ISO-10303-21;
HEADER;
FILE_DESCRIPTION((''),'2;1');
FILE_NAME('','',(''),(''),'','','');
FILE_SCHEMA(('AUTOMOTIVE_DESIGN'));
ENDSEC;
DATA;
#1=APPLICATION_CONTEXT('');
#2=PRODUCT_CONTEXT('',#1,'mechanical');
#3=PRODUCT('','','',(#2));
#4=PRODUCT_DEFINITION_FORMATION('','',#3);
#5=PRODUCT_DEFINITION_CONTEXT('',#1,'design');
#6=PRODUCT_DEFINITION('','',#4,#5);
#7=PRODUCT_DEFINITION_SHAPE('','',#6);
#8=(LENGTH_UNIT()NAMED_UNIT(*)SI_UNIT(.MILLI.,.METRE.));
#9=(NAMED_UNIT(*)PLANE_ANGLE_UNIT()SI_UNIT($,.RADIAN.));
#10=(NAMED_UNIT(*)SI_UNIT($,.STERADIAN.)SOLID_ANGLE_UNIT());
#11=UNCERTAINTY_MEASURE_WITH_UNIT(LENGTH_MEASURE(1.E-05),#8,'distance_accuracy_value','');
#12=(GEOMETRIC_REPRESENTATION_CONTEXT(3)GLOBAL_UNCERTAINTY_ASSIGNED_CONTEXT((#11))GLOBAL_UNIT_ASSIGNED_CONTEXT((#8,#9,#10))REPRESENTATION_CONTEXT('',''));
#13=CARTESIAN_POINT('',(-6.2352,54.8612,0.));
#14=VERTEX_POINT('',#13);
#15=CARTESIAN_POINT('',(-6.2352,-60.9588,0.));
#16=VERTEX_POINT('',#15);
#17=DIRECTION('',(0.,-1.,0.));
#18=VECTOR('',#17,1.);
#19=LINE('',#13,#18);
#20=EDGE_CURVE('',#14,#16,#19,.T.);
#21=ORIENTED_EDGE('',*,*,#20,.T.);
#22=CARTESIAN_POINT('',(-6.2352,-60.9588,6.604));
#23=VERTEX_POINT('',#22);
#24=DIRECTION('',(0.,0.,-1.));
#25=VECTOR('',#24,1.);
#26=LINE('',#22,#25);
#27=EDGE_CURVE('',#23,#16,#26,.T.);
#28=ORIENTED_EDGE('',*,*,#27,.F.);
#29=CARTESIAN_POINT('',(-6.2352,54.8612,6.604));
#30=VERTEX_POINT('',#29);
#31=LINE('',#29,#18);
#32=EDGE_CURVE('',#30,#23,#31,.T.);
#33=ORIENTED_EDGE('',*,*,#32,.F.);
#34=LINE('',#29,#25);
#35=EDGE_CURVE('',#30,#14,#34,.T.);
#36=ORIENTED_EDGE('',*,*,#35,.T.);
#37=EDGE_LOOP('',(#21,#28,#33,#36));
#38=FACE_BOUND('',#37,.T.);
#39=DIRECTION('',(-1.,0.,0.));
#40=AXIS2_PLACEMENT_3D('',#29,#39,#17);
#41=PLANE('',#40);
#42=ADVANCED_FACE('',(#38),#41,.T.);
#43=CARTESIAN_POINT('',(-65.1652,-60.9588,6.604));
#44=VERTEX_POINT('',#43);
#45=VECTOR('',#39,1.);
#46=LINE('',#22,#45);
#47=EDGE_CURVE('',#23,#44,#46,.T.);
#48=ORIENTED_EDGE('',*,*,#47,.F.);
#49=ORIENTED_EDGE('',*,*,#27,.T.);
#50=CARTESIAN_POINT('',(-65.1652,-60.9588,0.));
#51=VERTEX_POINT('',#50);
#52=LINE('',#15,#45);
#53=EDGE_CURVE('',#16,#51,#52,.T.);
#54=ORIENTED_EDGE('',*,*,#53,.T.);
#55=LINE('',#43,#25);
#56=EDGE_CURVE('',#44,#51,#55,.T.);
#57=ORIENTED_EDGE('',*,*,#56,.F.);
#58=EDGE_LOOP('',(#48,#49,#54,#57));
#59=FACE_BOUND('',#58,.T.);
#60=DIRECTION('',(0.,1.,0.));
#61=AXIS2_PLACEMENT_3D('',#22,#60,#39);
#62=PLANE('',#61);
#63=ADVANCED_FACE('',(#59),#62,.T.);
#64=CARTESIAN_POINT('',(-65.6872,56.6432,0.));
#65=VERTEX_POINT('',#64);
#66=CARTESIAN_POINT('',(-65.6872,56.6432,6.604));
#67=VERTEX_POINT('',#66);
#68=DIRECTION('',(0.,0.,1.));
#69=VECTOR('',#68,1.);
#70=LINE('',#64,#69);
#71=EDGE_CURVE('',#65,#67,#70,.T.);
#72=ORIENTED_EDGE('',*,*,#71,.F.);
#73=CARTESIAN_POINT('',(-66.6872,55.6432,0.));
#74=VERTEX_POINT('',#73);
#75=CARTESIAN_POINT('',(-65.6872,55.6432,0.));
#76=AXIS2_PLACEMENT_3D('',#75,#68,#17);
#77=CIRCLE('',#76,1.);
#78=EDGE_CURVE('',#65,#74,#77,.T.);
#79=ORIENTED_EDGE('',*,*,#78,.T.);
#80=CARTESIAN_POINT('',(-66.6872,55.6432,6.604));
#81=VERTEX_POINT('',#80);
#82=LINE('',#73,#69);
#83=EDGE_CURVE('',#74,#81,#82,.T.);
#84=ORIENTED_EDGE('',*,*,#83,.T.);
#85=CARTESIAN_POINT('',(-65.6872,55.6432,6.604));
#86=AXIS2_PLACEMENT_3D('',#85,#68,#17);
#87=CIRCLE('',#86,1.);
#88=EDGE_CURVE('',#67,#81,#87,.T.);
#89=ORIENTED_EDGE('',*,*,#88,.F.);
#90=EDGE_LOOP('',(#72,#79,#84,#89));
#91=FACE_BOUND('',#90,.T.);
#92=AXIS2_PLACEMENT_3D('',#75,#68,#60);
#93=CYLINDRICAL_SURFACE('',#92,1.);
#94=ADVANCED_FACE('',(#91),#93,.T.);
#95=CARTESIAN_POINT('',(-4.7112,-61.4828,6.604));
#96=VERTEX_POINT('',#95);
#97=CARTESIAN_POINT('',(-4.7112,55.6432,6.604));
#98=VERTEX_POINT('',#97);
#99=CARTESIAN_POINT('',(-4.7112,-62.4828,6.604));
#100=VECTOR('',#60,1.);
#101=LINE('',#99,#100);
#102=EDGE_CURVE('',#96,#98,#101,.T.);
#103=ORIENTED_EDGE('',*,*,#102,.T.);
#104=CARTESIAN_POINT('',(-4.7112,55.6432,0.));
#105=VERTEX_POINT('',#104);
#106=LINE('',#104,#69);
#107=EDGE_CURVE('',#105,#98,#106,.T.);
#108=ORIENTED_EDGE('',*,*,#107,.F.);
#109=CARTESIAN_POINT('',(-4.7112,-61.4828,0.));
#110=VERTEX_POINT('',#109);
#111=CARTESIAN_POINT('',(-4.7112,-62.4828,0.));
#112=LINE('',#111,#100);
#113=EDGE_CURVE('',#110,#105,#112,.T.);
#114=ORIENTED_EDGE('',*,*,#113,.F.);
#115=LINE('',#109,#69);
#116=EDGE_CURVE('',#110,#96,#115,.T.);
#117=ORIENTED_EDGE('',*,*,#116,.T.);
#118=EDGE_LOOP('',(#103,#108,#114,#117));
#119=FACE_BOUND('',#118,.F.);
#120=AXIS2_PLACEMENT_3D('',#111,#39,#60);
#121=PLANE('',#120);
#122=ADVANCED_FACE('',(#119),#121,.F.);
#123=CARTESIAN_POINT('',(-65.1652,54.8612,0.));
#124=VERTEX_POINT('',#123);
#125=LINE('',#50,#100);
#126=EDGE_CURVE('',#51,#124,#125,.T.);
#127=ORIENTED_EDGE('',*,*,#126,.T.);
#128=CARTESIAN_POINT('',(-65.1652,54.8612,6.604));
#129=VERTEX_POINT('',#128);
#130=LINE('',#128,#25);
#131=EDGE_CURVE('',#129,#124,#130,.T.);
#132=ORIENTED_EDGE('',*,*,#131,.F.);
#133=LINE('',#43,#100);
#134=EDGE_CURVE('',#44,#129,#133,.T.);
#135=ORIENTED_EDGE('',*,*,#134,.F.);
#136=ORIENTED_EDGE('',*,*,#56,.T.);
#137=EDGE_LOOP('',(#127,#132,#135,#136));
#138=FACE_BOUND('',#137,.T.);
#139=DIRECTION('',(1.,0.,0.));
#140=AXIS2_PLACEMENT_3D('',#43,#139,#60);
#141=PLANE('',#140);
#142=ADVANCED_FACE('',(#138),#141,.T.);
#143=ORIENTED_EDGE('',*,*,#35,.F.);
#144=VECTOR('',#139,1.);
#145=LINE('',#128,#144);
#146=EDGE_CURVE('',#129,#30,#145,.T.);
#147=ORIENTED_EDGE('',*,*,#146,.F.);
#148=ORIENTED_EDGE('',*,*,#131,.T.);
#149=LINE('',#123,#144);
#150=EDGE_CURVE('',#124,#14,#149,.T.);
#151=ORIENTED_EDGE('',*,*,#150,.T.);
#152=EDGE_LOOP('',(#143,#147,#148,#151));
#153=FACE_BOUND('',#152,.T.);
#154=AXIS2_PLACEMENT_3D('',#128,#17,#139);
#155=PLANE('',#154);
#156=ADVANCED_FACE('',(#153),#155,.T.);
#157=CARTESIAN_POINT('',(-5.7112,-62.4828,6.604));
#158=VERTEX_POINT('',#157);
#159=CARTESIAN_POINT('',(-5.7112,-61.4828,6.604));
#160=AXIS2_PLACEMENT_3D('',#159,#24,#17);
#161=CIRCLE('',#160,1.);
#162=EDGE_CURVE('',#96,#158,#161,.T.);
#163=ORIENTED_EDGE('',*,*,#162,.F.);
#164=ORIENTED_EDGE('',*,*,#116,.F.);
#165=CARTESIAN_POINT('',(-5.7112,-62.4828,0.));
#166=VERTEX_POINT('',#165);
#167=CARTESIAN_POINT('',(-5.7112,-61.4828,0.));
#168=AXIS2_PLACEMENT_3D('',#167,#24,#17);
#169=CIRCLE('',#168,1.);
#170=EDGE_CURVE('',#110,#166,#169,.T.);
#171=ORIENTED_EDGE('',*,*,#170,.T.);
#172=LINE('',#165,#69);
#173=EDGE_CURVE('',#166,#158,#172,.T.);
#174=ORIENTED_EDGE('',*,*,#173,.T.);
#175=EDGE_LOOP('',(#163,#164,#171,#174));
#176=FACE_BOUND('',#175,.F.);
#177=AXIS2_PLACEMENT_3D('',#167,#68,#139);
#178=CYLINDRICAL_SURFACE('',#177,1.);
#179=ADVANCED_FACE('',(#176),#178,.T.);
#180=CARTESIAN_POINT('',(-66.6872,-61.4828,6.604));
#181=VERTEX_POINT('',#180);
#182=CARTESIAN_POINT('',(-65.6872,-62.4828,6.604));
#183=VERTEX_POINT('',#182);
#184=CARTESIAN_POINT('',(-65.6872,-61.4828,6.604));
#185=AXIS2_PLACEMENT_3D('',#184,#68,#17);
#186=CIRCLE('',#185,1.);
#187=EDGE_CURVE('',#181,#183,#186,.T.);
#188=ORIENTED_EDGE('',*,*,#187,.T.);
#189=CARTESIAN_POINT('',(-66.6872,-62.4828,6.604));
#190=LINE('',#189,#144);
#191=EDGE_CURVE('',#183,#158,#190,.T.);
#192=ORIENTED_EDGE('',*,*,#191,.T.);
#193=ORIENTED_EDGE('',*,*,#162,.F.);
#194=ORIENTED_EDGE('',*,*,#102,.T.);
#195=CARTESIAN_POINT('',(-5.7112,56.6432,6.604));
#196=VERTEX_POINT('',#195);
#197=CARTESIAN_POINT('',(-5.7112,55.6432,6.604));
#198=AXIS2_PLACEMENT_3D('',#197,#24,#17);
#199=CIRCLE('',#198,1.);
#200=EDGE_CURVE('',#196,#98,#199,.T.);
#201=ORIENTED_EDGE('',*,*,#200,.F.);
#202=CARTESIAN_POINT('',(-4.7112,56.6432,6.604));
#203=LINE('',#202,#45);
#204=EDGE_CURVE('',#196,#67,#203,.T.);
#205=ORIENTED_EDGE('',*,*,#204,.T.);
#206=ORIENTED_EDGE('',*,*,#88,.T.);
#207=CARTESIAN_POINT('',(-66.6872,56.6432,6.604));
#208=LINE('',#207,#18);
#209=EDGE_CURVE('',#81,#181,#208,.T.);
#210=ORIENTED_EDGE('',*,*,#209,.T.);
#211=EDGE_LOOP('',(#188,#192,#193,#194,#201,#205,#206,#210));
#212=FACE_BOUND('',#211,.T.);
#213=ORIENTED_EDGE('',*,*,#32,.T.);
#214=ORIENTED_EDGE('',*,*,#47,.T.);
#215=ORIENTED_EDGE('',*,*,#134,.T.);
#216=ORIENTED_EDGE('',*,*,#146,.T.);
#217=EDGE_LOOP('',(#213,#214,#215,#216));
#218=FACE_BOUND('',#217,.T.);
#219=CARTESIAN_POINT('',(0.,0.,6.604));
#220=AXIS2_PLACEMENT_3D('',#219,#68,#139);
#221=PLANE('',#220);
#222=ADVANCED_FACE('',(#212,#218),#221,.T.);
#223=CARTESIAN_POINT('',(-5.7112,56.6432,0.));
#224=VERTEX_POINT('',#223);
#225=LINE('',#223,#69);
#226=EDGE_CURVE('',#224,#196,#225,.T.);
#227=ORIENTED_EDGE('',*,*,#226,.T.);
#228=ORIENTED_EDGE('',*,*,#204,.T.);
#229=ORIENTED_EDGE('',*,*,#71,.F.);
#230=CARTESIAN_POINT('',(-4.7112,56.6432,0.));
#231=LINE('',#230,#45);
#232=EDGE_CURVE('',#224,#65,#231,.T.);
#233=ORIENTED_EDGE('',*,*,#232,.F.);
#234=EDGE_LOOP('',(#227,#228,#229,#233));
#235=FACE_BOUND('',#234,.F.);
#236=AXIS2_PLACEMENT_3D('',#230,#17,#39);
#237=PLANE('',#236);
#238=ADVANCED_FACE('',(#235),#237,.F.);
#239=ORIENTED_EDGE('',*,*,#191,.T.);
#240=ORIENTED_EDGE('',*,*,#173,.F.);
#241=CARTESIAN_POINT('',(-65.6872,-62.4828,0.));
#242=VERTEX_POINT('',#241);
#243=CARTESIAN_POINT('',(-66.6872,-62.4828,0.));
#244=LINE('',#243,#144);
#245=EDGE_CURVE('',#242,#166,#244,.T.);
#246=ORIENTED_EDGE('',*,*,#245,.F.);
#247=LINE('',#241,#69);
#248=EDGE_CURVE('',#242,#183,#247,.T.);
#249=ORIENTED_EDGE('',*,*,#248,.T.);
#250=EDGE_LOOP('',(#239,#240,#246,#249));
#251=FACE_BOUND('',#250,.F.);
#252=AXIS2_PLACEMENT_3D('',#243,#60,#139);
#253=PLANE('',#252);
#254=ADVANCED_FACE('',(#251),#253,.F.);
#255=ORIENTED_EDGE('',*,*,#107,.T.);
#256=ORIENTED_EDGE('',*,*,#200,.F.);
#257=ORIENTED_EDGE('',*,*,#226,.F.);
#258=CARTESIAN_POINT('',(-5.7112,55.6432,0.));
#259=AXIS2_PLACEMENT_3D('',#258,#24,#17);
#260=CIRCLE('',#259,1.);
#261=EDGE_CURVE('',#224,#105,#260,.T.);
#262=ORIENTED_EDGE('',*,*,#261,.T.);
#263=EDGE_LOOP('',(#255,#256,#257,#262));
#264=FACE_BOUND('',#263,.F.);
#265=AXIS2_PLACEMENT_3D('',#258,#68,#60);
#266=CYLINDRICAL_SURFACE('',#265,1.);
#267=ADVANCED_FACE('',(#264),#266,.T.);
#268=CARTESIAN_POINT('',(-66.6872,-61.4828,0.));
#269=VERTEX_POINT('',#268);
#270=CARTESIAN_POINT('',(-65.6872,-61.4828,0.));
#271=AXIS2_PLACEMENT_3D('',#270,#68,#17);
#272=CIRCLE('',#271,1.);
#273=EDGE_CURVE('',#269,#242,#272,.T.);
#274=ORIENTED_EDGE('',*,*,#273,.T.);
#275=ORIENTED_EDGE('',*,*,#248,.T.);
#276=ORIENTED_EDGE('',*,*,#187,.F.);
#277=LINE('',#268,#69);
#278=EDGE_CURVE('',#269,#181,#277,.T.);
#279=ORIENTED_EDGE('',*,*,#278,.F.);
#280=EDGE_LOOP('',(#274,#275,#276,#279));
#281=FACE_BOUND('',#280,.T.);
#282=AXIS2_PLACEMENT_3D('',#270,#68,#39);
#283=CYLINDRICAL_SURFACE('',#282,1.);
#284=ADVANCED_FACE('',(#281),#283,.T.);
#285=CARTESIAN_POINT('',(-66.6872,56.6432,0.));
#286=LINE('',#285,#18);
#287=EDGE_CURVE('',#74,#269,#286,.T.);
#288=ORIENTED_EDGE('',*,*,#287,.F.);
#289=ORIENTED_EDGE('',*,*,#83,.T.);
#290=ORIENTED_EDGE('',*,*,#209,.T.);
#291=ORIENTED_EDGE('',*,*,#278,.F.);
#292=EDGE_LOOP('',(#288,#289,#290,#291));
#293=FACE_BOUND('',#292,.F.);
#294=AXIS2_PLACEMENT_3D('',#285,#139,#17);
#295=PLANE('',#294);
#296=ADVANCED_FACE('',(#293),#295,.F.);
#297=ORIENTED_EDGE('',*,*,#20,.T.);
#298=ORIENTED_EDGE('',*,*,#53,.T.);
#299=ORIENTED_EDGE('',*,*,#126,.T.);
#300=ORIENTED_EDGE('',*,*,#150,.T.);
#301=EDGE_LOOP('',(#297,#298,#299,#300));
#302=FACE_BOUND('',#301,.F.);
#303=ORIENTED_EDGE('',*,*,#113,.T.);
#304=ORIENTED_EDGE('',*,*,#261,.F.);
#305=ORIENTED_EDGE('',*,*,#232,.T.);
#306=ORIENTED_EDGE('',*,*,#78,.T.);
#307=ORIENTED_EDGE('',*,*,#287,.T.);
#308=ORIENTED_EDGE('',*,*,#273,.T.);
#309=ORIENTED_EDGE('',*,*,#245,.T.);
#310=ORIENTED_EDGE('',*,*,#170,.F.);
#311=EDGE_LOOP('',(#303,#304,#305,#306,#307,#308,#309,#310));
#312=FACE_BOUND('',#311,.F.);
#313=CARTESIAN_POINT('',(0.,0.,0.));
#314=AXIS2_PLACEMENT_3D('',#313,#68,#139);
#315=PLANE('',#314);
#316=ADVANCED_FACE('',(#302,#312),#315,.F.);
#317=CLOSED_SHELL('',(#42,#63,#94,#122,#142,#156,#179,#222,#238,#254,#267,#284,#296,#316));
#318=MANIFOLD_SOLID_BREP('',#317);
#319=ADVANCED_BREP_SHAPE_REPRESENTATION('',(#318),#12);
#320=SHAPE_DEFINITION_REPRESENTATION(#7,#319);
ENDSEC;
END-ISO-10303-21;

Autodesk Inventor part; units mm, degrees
ref_plane "YZ Plane" through (0, 0, 0) normal (1, 0, 0) x (0, 1, 0)
ref_plane "XZ Plane" through (0, 0, 0) normal (0, 1, 0) x (-1, 0, 0)
ref_plane "XY Plane" through (0, 0, 0) normal (0, 0, 1) x (1, 0, 0)
sketch "Sketch1" plane through (0, 0, 0) normal (0, 0, 1) x (1, 0, 0)
  line L0 (-66.6872, 56.6432) -> (-66.6872, -62.4828)
  line L1 (-66.6872, -62.4828) -> (-4.7112, -62.4828)
  line L2 (-4.7112, -62.4828) -> (-4.7112, 56.6432)
  line L3 (-4.7112, 56.6432) -> (-66.6872, 56.6432)
  point P0 (0, 0)
  dimension "d0" = 119.126
  dimension "d1" = 61.976
extrude "Extrusion1" add sketch "Sketch1" along normal blind 6.604
sketch "Sketch2" plane through (0, 0, 6.604) normal (0, 0, 1) x (1, 0, 0)
  line L0 (-65.1652, 54.8612) -> (-6.2352, 54.8612)
  line L1 (-6.2352, 54.8612) -> (-6.2352, -60.9588)
  line L2 (-6.2352, -60.9588) -> (-65.1652, -60.9588)
  line L3 (-65.1652, -60.9588) -> (-65.1652, 54.8612)
  line L4 (-4.7112, -62.4828) -> (-4.7112, 56.6432) projected
  line L5 (-66.6872, -62.4828) -> (-4.7112, -62.4828) projected
  point P0 (0, 0)
  dimension "d4" = 115.82
  dimension "d5" = 58.93
  dimension "d6" = 1.524
  dimension "d7" = 1.524
extrude "Extrusion2" cut sketch "Sketch2" against normal blind 6.604
fillet "Fillet1" radius 1 4 edges at (-66.6872, -62.4828, 3.302) (-66.6872, 56.6432, 3.302) (-4.7112, 56.6432, 3.302) (-4.7112, -62.4828, 3.302)
properties part number "Smart Lock Box Middle Correct"
